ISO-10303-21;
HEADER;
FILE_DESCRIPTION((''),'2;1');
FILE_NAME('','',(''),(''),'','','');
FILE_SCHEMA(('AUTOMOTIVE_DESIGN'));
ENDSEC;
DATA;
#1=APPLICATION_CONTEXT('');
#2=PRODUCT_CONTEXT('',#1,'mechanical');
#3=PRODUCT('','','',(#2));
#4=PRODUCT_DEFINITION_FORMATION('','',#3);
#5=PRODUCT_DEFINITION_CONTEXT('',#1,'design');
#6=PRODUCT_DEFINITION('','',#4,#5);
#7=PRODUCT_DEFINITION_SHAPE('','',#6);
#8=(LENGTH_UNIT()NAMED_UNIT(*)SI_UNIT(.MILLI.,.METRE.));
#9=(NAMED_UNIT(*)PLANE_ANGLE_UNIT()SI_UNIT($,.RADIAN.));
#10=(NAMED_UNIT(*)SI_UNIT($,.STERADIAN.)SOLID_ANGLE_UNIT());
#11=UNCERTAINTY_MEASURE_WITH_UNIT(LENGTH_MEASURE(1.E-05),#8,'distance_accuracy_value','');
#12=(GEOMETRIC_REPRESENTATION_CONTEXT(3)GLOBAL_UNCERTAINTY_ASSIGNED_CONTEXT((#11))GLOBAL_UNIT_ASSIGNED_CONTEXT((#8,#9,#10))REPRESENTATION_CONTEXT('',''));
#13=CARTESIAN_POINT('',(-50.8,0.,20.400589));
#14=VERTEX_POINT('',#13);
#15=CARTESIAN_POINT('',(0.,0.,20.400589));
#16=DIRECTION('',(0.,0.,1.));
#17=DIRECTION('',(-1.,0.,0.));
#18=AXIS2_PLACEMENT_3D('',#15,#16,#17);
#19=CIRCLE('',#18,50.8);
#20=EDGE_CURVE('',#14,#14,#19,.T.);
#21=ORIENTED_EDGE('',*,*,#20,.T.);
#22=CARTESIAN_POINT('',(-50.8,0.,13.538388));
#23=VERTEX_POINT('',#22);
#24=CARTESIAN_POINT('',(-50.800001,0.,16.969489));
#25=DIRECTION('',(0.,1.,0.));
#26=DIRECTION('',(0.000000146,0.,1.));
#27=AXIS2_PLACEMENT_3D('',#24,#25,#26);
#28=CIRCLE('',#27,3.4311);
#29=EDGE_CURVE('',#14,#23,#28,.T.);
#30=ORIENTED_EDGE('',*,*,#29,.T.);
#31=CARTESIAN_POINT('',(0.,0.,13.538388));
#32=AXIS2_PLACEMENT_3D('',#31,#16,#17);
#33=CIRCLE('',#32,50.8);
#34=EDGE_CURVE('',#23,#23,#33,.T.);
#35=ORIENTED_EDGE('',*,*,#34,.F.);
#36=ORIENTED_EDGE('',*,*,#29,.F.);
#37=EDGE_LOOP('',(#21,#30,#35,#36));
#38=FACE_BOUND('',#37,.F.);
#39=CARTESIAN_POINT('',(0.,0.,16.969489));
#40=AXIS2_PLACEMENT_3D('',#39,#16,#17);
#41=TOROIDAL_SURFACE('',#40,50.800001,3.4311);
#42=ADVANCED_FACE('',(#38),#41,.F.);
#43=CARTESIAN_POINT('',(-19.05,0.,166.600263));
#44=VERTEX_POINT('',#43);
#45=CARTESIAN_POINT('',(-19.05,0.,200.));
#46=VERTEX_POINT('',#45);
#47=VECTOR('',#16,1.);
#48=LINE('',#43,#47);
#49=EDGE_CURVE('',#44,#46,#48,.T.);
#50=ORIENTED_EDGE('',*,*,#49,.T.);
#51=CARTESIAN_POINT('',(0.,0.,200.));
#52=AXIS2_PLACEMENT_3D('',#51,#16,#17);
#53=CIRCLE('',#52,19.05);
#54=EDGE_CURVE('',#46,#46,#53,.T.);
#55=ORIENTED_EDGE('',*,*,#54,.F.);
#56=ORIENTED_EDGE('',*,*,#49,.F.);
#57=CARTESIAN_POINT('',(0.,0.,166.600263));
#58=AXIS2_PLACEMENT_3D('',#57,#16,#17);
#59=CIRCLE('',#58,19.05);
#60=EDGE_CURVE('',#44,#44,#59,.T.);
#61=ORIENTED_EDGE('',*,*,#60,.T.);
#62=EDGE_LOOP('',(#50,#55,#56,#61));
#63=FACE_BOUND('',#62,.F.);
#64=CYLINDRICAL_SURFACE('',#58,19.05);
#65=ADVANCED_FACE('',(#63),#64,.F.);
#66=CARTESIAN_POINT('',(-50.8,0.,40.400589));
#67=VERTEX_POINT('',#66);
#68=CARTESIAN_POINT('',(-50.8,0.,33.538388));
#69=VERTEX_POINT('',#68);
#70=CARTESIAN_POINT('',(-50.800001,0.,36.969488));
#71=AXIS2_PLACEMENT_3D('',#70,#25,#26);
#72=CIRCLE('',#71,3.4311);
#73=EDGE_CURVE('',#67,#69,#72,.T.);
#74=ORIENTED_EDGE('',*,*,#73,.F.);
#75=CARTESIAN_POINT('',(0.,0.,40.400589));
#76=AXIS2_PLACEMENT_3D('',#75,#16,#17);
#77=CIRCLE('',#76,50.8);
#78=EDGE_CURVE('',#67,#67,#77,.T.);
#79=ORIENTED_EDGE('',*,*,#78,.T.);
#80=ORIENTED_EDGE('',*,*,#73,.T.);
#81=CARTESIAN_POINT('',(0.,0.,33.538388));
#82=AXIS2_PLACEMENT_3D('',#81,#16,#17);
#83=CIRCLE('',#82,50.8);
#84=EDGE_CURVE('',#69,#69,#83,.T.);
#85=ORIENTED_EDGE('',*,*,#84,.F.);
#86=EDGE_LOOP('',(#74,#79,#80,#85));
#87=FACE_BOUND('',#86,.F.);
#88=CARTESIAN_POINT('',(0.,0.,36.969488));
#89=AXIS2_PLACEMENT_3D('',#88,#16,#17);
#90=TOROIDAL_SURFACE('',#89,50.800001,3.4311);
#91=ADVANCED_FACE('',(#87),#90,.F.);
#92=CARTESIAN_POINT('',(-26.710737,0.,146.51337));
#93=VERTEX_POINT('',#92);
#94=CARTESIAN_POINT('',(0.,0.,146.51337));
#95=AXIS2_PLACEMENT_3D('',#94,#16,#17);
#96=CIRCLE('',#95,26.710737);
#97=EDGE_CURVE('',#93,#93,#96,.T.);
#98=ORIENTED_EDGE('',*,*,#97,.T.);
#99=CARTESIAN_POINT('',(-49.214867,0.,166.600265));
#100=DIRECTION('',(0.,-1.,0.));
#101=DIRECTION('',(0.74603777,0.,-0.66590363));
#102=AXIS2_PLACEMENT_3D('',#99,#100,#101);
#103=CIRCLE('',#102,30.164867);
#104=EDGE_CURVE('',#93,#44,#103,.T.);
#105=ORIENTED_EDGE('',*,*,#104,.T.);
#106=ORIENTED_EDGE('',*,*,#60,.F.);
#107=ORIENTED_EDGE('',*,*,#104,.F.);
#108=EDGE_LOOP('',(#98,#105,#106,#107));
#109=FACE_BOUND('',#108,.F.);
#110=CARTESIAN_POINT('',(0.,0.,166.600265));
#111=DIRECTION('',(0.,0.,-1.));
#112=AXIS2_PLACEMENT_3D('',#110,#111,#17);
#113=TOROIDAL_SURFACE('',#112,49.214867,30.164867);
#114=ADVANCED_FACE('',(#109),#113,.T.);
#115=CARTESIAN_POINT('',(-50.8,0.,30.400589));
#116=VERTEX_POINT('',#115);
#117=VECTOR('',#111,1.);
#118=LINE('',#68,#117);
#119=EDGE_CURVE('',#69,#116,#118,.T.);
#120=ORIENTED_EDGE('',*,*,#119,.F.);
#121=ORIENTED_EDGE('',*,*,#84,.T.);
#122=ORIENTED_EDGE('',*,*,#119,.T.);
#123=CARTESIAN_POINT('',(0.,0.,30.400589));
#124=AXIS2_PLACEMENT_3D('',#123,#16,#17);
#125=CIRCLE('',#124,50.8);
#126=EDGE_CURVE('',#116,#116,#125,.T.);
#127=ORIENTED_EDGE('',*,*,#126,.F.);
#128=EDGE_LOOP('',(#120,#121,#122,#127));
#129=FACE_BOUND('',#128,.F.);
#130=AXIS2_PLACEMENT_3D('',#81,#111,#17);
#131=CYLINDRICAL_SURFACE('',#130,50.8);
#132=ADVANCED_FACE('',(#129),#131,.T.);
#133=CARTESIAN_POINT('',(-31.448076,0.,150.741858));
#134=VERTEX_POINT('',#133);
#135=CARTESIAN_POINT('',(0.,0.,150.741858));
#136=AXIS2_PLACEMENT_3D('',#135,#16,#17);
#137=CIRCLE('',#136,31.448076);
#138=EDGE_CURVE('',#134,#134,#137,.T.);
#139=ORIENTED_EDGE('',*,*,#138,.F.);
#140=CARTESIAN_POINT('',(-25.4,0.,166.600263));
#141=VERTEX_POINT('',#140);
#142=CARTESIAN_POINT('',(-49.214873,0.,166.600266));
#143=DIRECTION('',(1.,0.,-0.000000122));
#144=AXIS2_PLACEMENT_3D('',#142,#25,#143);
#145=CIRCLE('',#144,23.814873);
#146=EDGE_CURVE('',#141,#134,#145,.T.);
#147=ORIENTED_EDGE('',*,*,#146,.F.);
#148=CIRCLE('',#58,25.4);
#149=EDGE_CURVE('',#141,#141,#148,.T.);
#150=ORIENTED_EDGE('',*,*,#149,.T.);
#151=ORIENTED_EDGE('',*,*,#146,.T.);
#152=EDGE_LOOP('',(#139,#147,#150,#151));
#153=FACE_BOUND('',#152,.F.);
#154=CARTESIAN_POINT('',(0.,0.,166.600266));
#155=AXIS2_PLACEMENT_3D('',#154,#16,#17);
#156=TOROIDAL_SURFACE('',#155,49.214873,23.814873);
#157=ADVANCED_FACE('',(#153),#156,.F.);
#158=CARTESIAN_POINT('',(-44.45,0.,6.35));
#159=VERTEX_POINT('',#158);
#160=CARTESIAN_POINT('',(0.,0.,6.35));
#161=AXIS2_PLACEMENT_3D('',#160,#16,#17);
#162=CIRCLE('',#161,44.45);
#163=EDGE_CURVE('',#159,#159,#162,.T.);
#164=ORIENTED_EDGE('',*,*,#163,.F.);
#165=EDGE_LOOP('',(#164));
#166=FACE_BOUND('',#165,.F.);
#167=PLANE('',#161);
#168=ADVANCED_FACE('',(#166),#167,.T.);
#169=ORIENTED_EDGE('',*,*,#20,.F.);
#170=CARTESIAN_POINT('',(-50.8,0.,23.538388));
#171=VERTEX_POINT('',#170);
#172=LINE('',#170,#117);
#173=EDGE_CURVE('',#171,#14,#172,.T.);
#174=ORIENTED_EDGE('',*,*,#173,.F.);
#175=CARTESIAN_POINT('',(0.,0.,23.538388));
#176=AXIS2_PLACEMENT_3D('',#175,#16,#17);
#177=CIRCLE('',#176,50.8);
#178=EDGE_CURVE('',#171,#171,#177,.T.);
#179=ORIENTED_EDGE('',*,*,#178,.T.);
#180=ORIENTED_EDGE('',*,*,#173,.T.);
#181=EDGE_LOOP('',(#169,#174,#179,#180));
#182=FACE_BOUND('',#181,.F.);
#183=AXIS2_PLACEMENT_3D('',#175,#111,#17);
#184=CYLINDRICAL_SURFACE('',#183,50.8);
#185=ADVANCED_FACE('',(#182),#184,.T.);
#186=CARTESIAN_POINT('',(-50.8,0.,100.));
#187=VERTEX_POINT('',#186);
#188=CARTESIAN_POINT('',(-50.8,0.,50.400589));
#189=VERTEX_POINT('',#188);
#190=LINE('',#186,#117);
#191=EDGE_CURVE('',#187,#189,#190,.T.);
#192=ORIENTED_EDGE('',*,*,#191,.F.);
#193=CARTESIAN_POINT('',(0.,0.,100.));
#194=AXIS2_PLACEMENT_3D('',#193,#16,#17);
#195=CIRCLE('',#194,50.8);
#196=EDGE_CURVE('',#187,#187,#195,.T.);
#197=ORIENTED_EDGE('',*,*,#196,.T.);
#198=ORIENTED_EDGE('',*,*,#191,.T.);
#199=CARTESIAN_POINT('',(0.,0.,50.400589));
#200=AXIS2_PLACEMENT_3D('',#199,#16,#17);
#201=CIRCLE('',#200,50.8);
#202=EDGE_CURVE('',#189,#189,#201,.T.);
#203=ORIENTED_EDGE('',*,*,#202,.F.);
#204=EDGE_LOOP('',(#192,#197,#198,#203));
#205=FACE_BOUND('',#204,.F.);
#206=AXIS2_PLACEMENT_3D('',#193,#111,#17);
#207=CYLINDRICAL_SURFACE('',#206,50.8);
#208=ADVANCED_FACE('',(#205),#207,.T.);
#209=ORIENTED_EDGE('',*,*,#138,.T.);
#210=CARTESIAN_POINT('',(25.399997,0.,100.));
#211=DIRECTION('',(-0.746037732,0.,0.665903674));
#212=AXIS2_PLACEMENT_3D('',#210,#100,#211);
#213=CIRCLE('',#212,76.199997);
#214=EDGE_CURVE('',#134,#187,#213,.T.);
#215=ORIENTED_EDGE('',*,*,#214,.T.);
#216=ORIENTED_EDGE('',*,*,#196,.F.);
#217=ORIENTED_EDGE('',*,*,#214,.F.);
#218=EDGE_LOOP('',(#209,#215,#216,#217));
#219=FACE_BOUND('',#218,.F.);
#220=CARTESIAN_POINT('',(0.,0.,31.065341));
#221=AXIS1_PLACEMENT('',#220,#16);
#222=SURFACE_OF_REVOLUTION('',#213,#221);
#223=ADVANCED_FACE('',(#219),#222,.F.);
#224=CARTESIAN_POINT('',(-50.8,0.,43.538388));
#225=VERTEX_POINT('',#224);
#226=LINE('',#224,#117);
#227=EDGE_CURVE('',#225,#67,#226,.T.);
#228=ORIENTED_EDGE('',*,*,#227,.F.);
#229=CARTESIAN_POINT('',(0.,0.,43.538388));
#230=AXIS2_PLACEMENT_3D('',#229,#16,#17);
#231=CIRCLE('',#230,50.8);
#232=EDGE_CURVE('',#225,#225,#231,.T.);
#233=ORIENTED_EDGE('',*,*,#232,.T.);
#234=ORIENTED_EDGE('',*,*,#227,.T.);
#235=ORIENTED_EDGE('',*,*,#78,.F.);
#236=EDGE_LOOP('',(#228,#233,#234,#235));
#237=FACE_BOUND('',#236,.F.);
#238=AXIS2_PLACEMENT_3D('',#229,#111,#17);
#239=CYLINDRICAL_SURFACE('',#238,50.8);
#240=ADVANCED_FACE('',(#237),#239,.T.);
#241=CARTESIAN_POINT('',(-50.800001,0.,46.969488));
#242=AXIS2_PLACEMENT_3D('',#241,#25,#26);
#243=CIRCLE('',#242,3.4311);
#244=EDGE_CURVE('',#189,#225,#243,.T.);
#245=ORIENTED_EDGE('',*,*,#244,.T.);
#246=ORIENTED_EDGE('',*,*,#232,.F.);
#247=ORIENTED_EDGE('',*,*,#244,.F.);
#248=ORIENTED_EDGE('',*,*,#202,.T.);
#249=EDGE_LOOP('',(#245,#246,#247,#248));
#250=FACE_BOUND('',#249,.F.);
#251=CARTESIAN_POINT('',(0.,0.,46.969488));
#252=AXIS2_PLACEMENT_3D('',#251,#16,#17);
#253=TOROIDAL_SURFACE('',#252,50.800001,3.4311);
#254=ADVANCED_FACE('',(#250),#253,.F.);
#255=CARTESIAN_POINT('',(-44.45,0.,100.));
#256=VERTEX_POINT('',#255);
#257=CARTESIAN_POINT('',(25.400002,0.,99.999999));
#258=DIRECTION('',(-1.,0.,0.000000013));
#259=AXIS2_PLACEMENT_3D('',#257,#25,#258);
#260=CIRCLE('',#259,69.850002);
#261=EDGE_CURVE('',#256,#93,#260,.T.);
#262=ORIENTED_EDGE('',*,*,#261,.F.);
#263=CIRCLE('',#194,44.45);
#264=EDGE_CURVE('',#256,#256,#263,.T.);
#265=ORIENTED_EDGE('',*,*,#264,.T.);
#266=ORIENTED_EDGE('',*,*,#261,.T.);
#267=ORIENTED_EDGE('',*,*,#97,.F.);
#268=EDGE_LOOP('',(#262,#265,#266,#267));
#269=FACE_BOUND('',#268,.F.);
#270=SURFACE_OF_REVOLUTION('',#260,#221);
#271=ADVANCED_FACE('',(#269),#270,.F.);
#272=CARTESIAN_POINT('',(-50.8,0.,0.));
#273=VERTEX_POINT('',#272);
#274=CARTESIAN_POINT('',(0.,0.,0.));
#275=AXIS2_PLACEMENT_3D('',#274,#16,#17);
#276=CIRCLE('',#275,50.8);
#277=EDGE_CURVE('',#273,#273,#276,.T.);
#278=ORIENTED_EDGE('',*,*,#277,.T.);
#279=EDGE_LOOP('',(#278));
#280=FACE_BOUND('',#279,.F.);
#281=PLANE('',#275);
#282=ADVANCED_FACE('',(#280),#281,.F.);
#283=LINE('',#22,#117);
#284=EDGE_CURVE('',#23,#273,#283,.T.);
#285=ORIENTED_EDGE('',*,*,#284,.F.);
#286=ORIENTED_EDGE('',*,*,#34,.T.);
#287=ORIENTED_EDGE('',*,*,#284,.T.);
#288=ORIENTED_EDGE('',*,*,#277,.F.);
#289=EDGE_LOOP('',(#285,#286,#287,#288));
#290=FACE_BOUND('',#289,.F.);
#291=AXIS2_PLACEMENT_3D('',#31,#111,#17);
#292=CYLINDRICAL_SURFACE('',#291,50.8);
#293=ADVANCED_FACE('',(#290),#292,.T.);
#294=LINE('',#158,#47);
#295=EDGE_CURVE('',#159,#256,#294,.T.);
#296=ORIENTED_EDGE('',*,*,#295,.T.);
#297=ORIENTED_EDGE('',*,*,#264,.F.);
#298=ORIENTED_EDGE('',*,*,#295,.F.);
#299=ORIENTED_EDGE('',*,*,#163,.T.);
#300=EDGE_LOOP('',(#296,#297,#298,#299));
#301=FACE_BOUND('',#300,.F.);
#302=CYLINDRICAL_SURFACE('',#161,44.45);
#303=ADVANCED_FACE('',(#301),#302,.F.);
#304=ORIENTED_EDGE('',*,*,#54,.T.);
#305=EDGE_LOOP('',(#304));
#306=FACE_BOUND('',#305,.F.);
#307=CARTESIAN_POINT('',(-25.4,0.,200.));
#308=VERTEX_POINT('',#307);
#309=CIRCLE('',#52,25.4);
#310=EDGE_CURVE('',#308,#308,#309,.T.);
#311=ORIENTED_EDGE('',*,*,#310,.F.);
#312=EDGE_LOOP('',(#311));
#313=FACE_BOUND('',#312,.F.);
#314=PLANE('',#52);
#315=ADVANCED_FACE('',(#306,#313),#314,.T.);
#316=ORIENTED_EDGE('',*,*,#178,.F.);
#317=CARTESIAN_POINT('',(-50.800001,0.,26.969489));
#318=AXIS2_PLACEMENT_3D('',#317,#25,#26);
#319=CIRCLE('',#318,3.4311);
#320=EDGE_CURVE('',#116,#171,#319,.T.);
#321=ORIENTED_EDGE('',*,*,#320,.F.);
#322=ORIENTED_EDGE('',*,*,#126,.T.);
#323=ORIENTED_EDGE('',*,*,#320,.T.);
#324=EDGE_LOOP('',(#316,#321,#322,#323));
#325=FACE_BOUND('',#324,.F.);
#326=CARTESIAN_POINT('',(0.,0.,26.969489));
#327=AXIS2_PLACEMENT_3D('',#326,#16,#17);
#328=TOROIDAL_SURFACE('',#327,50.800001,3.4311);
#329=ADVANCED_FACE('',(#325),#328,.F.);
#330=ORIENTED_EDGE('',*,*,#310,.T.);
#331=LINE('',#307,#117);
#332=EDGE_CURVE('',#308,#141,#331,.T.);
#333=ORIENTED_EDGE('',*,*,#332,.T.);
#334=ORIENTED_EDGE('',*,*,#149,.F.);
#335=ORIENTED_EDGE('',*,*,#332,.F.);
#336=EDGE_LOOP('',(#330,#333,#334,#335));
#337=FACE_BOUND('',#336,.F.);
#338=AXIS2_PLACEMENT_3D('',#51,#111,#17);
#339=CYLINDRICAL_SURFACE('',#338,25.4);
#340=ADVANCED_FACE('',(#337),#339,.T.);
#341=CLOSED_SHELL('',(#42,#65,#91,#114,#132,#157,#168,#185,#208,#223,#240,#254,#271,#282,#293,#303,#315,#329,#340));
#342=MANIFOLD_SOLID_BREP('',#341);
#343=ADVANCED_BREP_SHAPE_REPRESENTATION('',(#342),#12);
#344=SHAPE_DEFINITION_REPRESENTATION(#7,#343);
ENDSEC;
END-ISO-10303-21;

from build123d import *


with BuildPart() as f1:
    # F0 (on Front) → F1 (revolve)
    with BuildSketch(Plane.XZ):
        with BuildLine():
            Line((-44.45, 6.35), (-44.45, 100))
            ThreePointArc((-44.45, 100), (-39.864682, 124.890636), (-26.710737, 146.51337))
            ThreePointArc((-26.710737, 146.51337), (-21.030179, 155.851192), (-19.05, 166.600263))
            Line((-19.05, 166.600263), (-19.05, 200))
            Line((-19.05, 200), (-25.4, 200))
            Line((-25.4, 200), (-25.4, 166.600263))
            ThreePointArc((-25.4, 166.600263), (-26.963332, 158.113977), (-31.448076, 150.741858))
            ThreePointArc((-31.448076, 150.741858), (-45.797835, 127.153421), (-50.8, 100))
            Line((-50.8, 100), (-50.8, 50.400589))
            ThreePointArc((-50.8, 50.400589), (-47.3689, 46.969489), (-50.8, 43.538388))
            Line((-50.8, 43.538388), (-50.8, 40.400589))
            ThreePointArc((-50.8, 40.400589), (-47.3689, 36.969489), (-50.8, 33.538388))
            Line((-50.8, 33.538388), (-50.8, 30.400589))
            ThreePointArc((-50.8, 30.400589), (-47.3689, 26.969489), (-50.8, 23.538388))
            Line((-50.8, 23.538388), (-50.8, 20.400589))
            ThreePointArc((-50.8, 20.400589), (-47.3689, 16.969489), (-50.8, 13.538388))
            Line((-50.8, 13.538388), (-50.8, 0))
            Line((-50.8, 0), (0, 0))
            Line((0, 0), (0, 6.35))
            Line((0, 6.35), (-44.45, 6.35))
        make_face()
    revolve(axis=Axis((0, 0, 31.065341), (0, 0, 1)))


solid = f1.part
